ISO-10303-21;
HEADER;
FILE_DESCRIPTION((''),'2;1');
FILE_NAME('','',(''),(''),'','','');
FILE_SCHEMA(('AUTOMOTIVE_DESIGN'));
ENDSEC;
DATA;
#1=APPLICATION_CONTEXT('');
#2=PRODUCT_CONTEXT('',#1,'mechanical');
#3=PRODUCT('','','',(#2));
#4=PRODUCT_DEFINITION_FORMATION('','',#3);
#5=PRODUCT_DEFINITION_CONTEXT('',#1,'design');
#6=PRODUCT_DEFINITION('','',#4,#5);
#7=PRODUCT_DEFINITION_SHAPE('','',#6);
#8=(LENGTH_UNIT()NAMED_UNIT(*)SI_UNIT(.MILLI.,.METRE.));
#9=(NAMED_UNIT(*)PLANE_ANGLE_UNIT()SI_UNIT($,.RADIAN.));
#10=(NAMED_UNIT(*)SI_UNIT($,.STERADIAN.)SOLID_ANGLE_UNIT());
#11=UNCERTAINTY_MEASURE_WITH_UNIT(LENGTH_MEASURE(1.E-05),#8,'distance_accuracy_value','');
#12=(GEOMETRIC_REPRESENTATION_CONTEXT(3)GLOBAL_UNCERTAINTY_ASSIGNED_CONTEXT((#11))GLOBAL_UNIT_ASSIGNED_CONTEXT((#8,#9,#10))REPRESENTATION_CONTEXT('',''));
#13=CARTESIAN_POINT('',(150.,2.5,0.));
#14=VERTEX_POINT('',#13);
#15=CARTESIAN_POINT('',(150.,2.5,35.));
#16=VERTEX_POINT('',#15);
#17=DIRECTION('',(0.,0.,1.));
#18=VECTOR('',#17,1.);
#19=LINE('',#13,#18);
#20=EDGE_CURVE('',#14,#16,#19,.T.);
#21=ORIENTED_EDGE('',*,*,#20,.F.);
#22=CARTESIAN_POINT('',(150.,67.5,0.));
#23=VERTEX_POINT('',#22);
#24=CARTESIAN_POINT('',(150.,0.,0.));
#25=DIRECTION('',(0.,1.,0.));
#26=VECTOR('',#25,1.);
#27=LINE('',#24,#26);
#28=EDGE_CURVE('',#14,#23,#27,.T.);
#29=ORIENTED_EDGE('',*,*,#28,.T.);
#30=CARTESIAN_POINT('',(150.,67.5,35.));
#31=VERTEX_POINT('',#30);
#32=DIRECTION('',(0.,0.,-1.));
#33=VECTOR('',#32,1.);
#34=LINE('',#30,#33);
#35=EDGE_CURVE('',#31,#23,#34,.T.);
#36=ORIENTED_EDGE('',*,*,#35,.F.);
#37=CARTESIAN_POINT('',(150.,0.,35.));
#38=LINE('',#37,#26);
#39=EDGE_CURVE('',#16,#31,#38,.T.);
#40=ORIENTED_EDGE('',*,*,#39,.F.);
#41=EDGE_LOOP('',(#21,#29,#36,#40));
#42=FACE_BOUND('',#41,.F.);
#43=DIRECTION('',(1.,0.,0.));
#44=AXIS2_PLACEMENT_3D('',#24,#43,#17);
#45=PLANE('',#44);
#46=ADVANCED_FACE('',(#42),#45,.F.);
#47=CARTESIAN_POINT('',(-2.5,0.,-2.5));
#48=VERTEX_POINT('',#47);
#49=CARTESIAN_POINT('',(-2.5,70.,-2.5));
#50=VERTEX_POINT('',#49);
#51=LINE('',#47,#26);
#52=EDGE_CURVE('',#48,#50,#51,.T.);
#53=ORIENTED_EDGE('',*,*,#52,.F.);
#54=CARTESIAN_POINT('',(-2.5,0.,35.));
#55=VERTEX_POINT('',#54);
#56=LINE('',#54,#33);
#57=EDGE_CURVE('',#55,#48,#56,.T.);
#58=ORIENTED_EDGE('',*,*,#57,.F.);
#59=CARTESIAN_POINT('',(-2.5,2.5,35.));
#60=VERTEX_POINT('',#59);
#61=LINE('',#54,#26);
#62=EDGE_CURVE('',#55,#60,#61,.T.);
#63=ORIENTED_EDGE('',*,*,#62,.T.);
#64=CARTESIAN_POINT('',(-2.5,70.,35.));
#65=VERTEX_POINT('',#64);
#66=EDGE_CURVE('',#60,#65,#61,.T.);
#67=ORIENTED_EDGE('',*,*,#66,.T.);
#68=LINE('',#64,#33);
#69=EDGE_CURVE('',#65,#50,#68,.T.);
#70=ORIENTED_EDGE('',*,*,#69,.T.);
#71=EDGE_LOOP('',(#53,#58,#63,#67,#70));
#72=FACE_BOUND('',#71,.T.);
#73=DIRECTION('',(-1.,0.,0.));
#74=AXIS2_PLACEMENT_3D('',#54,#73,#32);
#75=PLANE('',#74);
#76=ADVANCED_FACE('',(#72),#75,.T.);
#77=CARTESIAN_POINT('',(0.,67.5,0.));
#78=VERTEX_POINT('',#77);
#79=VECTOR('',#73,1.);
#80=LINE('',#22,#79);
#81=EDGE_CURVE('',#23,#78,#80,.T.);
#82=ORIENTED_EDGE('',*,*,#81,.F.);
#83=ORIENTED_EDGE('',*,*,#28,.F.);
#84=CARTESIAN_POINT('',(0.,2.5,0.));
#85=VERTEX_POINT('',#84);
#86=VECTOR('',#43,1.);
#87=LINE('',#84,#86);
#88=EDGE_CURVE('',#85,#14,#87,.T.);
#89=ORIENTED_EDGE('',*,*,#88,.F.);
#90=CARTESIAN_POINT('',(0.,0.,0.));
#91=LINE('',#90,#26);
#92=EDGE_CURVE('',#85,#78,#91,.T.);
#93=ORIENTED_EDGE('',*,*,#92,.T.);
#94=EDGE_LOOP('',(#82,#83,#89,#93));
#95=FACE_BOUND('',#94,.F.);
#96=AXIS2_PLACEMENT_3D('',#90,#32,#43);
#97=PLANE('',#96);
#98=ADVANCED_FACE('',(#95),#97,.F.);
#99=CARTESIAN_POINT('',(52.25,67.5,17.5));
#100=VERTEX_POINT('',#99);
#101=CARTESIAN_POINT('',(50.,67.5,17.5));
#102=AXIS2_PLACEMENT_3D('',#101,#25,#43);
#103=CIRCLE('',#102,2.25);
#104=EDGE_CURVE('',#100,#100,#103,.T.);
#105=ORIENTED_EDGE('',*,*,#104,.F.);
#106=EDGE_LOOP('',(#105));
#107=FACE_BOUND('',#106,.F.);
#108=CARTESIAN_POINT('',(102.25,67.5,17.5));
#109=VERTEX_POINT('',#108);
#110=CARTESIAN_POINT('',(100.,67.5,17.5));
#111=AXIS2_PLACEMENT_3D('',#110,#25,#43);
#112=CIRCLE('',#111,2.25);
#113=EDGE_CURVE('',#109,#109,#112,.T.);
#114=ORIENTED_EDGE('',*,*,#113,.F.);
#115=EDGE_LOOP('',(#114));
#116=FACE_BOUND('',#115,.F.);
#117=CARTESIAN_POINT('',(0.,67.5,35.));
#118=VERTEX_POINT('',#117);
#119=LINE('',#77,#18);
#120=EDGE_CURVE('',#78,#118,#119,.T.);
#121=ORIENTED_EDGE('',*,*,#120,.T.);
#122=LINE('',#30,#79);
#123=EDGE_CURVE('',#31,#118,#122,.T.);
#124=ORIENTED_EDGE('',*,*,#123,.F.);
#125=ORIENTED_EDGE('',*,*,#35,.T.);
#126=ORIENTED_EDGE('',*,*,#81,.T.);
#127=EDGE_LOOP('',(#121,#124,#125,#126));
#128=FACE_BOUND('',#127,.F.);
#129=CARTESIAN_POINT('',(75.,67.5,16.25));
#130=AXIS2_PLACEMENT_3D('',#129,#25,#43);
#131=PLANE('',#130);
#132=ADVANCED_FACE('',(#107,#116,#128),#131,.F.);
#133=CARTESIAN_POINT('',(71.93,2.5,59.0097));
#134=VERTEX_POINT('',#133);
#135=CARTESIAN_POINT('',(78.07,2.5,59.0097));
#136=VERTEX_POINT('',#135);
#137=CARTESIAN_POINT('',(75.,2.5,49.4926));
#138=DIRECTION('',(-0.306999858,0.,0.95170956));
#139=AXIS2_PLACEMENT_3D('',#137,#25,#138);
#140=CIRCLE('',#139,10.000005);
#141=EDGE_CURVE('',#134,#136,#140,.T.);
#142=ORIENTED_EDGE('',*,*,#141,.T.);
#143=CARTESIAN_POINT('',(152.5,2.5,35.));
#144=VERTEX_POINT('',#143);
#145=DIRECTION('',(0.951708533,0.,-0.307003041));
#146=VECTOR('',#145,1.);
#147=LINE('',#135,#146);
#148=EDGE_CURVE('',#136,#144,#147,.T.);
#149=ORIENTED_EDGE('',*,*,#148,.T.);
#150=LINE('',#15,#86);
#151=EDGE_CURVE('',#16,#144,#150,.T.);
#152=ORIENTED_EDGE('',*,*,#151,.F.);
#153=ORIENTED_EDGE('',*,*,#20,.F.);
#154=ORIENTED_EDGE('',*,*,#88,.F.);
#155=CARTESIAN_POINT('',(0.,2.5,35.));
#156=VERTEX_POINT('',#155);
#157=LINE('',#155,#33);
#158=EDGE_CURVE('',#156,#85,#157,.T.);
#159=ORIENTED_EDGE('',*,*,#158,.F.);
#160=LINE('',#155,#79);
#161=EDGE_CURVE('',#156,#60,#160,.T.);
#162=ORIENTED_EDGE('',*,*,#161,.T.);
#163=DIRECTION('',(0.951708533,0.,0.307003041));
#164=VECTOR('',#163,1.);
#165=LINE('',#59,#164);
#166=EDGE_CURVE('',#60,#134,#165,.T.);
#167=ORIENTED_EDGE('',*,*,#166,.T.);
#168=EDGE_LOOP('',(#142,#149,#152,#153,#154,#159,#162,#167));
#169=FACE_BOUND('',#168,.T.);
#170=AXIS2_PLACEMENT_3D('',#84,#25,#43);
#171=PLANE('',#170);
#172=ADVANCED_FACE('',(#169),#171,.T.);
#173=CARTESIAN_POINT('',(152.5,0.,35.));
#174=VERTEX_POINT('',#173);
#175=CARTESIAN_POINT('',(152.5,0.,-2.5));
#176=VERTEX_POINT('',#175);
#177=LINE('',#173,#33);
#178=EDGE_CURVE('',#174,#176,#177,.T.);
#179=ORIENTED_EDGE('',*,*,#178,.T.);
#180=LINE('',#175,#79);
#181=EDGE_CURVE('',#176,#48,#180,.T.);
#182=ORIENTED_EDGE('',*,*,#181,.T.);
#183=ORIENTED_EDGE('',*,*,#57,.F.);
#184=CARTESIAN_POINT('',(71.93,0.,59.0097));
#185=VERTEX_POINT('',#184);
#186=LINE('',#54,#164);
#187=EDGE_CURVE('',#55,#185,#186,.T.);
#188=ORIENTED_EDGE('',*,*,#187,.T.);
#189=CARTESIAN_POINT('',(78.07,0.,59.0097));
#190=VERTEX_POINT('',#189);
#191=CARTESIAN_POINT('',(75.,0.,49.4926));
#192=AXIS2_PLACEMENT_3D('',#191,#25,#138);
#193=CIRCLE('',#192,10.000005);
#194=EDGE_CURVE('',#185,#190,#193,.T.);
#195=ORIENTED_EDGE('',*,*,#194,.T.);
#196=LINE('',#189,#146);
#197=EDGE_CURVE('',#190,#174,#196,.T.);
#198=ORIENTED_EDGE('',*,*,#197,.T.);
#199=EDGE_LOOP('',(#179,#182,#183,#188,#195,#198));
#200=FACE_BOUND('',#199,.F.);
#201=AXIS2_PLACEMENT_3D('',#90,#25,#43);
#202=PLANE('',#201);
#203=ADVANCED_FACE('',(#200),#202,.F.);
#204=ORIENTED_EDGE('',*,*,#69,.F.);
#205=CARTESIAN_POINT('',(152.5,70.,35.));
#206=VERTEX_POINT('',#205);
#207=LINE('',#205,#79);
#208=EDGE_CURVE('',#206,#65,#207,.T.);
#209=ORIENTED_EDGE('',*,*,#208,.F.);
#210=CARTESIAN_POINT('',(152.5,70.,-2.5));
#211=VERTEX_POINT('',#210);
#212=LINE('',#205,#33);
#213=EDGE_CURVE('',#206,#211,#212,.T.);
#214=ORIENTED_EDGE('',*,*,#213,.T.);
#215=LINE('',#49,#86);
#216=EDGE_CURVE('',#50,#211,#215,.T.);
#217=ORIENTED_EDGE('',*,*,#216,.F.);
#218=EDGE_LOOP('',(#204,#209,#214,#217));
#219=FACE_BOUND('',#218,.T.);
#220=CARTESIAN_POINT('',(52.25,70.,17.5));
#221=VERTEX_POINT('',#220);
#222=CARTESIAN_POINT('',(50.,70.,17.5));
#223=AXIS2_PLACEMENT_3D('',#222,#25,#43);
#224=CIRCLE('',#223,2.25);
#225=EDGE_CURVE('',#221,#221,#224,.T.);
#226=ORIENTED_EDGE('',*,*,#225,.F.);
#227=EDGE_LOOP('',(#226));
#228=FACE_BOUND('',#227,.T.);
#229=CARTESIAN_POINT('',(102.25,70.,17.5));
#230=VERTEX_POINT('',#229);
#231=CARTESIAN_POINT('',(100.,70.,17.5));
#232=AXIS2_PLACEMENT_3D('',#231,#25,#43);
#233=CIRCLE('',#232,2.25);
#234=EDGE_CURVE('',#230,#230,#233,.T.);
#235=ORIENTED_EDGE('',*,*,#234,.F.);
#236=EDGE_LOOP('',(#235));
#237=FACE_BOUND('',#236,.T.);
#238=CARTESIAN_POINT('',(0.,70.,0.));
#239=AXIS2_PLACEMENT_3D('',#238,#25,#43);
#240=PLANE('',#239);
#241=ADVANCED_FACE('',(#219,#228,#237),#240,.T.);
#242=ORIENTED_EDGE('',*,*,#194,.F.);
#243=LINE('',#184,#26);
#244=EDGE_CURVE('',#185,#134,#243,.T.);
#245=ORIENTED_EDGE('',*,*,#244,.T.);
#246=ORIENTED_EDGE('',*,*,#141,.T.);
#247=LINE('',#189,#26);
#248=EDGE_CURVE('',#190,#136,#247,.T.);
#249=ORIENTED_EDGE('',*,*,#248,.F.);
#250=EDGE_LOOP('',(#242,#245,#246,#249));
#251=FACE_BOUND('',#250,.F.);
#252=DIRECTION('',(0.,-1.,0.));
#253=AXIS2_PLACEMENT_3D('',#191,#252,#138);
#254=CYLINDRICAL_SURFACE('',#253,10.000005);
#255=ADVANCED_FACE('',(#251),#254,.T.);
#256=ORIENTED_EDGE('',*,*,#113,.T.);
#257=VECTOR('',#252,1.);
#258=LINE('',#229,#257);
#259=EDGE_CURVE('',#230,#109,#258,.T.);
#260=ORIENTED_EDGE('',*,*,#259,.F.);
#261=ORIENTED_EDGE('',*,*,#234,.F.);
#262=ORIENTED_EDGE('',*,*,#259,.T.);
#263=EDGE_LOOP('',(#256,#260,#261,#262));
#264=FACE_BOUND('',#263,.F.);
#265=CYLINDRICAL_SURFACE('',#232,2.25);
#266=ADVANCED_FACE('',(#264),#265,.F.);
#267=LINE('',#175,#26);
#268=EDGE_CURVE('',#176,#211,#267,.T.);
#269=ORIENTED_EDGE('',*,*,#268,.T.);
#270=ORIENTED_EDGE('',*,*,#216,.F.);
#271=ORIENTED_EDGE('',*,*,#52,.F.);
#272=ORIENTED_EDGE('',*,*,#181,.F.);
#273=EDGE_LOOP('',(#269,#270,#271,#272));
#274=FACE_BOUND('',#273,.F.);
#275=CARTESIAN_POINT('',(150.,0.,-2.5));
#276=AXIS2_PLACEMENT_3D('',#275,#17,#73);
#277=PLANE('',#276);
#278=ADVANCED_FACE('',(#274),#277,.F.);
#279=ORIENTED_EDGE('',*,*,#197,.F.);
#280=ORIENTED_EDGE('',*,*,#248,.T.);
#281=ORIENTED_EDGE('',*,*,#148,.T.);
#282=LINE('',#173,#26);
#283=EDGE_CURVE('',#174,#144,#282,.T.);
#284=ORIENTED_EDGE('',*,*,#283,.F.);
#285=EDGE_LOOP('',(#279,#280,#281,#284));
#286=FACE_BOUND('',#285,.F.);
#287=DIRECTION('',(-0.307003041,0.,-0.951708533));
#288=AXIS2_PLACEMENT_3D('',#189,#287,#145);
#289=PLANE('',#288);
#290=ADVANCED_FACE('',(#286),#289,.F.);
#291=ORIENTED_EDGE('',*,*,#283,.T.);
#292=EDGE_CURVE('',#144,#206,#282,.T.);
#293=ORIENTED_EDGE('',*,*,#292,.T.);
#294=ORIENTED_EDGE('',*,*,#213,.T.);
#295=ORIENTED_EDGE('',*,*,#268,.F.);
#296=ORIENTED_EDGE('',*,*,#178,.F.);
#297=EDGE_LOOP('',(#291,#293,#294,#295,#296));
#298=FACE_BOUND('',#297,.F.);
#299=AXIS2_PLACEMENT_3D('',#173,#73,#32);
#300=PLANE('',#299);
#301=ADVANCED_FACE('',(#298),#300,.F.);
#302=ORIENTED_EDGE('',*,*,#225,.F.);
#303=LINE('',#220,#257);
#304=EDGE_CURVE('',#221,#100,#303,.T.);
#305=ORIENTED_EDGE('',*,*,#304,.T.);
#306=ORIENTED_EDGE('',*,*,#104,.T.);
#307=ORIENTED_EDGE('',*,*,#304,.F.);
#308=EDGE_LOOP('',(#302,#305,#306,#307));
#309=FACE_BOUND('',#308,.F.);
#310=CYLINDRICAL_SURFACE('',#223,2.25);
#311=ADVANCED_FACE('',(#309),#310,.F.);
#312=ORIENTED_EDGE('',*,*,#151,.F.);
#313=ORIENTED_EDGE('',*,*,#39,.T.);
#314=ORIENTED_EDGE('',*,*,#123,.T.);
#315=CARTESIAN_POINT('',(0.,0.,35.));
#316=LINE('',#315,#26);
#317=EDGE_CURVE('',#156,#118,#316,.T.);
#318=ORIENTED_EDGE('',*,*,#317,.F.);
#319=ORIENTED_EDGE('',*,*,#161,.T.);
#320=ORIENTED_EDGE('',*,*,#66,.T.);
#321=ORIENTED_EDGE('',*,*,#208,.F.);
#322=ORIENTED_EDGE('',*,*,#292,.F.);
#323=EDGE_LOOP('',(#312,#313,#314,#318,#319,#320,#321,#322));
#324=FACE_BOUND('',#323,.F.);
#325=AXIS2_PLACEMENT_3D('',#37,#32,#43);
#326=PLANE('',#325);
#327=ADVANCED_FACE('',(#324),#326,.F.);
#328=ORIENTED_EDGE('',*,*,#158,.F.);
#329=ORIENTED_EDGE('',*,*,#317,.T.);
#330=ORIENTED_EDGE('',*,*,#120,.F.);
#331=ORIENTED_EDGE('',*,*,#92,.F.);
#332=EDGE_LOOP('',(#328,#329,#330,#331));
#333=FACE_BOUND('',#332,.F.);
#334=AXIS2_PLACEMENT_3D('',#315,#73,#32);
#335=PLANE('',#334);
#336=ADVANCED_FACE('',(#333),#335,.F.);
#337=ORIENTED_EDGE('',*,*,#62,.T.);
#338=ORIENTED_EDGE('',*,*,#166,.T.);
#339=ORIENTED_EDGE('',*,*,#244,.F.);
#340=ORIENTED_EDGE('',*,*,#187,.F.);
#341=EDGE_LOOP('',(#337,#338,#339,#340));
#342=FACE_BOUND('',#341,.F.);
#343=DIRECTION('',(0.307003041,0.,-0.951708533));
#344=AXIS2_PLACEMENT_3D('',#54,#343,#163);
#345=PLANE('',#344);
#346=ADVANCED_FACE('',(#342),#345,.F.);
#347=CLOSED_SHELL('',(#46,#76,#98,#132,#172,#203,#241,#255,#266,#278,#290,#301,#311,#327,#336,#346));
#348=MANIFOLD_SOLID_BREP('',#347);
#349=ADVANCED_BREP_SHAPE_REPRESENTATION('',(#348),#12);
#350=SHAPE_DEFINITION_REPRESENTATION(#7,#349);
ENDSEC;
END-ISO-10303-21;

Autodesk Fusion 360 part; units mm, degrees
sketch "Esquisse1" plane through (0, 0, 0) normal (0, 1, 0) x (1, 0, 0)
  line L0 (0, 0) -> (150, 0)
  line L1 (150, 0) -> (150, -35)
  line L2 (150, -35) -> (0, -35)
  line L3 (0, -35) -> (0, 0)
  line L4 (75, -35) -> (75, -60) construction
  line L5 (0, 0) -> (150, 0)
  line L6 (150, 0) -> (150, 2.5)
  line L7 (150, 2.5) -> (0, 2.5)
  line L8 (0, 2.5) -> (0, 0)
  line L9 (150, -35) -> (152.5, -35)
  line L10 (152.5, -35) -> (152.5, 2.5)
  line L11 (152.5, 2.5) -> (150, 2.5)
  line L12 (150, 2.5) -> (150, -35)
  line L13 (0, -35) -> (-2.5, -35)
  line L14 (-2.5, -35) -> (-2.5, 2.5)
  line L15 (-2.5, 2.5) -> (0, 2.5)
  line L16 (0, 2.5) -> (0, -35)
  line L17 (-2.5, -35) -> (71.93, -59.0097)
  line L18 (78.07, -59.0097) -> (152.5, -35)
  arc A0 (71.93, -59.0097) -> (78.07, -59.0097) centre (75, -49.4926) ccw
  point P0 (75, -35)
  dimension "d6" = 150
  dimension "d7" = 35
  dimension "d8" = 25
  dimension "d13" = 150
  dimension "d14" = 2.5
  dimension "d15" = 2.5
  dimension "d16" = 37.5
  dimension "d17" = 2.5
  dimension "d18" = 37.5
  dimension "d19" = 10
extrude "Extrusion2" add sketch "Esquisse1" along normal blind 2.5 contours L0 L1 L2 L3 L5 L12 L16 | L2 L9 L13 L17 L18 A0
extrude "Extrusion3" add sketch "Esquisse1" along normal blind 70 contours L0 L5 L6 L7 L8 L12 L16 | L3 L8 L13 L14 L15 L16 | L1 L6 L9 L10 L11 L12
ref_plane "Plan de construction1" through (75, 70, 16.25) normal (0, 1, 0) x (0, 0, 1)
sketch "Esquisse2" plane through (75, 70, 16.25) normal (0, 1, 0) x (1, 0, 0)
  line L0 (-75, 16.25) -> (-75, -18.75)
  line L1 (-75, -18.75) -> (-77.5, -18.75)
  line L2 (-77.5, -18.75) -> (-3.07, -42.7597)
  arc A0 (-3.07, -42.7597) -> (3.07, -42.7597) centre (0, -33.2426) ccw
  line L3 (3.07, -42.7597) -> (77.5, -18.75)
  line L4 (77.5, -18.75) -> (75, -18.75)
  line L5 (75, -18.75) -> (75, 16.25)
  line L6 (75, 16.25) -> (-75, 16.25)
  line L7 (75, -18.75) -> (-75, -18.75)
  line L8 (-75, -18.75) -> (-75, 16.25)
  line L9 (-75, 16.25) -> (75, 16.25)
  line L10 (75, 16.25) -> (75, -18.75)
  line L11 (75, -1.25) -> (-75, -1.25) construction
  line L12 (75, -1.25) -> (25, -1.25) construction
  line L13 (-75, -1.25) -> (-25, -1.25) construction
  circle A1 centre (25, -1.25) radius 2.25
  circle A2 centre (-25, -1.25) radius 2.25
  point P0 (75, -1.25)
  point P1 (-75, -1.25)
  dimension "d27" = 50
  dimension "d28" = 50
  dimension "d30" = 4.5
  dimension "d31" = 4.5
extrude "Extrusion4" add sketch "Esquisse2" against normal blind 2.5 contours L0 L5 L6 L7 L8 L9 L10 | A1 | A2
extrude "Extrusion5" cut sketch "Esquisse2" against normal blind 2.5 contours A1 | A2
equation "bagWidth = 150 mm"
equation "bagThickness = 65 mm"
equation "dispenserBorderHeight = 35 mm"
equation "dispenserTriangleHeight = 25 mm"
equation "dispenserThickness = 2.5 mm"
equation "d6 = bagWidth"
equation "d7 = dispenserBorderHeight"
equation "d8 = dispenserTriangleHeight"
equation "dispenserTriangleRoundCorner = 10 mm"
equation "d13 = bagWidth"
equation "d14 = dispenserThickness"
equation "d15 = dispenserThickness"
equation "d16 = dispenserBorderHeight + dispenserThickness"
equation "d17 = dispenserThickness"
equation "d18 = dispenserBorderHeight + dispenserThickness"
equation "d19 = dispenserTriangleRoundCorner"
equation "d20 = dispenserThickness"
equation "d22 = ( 2 * dispenserThickness ) + bagThickness"
equation "d25 = -dispenserThickness"
equation "d27 = bagWidth / 3"
equation "d28 = bagWidth / 3"
equation "screwHoleDiameter = 4.5 mm"
equation "d30 = screwHoleDiameter"
equation "d31 = screwHoleDiameter"
equation "d32 = -dispenserThickness"
